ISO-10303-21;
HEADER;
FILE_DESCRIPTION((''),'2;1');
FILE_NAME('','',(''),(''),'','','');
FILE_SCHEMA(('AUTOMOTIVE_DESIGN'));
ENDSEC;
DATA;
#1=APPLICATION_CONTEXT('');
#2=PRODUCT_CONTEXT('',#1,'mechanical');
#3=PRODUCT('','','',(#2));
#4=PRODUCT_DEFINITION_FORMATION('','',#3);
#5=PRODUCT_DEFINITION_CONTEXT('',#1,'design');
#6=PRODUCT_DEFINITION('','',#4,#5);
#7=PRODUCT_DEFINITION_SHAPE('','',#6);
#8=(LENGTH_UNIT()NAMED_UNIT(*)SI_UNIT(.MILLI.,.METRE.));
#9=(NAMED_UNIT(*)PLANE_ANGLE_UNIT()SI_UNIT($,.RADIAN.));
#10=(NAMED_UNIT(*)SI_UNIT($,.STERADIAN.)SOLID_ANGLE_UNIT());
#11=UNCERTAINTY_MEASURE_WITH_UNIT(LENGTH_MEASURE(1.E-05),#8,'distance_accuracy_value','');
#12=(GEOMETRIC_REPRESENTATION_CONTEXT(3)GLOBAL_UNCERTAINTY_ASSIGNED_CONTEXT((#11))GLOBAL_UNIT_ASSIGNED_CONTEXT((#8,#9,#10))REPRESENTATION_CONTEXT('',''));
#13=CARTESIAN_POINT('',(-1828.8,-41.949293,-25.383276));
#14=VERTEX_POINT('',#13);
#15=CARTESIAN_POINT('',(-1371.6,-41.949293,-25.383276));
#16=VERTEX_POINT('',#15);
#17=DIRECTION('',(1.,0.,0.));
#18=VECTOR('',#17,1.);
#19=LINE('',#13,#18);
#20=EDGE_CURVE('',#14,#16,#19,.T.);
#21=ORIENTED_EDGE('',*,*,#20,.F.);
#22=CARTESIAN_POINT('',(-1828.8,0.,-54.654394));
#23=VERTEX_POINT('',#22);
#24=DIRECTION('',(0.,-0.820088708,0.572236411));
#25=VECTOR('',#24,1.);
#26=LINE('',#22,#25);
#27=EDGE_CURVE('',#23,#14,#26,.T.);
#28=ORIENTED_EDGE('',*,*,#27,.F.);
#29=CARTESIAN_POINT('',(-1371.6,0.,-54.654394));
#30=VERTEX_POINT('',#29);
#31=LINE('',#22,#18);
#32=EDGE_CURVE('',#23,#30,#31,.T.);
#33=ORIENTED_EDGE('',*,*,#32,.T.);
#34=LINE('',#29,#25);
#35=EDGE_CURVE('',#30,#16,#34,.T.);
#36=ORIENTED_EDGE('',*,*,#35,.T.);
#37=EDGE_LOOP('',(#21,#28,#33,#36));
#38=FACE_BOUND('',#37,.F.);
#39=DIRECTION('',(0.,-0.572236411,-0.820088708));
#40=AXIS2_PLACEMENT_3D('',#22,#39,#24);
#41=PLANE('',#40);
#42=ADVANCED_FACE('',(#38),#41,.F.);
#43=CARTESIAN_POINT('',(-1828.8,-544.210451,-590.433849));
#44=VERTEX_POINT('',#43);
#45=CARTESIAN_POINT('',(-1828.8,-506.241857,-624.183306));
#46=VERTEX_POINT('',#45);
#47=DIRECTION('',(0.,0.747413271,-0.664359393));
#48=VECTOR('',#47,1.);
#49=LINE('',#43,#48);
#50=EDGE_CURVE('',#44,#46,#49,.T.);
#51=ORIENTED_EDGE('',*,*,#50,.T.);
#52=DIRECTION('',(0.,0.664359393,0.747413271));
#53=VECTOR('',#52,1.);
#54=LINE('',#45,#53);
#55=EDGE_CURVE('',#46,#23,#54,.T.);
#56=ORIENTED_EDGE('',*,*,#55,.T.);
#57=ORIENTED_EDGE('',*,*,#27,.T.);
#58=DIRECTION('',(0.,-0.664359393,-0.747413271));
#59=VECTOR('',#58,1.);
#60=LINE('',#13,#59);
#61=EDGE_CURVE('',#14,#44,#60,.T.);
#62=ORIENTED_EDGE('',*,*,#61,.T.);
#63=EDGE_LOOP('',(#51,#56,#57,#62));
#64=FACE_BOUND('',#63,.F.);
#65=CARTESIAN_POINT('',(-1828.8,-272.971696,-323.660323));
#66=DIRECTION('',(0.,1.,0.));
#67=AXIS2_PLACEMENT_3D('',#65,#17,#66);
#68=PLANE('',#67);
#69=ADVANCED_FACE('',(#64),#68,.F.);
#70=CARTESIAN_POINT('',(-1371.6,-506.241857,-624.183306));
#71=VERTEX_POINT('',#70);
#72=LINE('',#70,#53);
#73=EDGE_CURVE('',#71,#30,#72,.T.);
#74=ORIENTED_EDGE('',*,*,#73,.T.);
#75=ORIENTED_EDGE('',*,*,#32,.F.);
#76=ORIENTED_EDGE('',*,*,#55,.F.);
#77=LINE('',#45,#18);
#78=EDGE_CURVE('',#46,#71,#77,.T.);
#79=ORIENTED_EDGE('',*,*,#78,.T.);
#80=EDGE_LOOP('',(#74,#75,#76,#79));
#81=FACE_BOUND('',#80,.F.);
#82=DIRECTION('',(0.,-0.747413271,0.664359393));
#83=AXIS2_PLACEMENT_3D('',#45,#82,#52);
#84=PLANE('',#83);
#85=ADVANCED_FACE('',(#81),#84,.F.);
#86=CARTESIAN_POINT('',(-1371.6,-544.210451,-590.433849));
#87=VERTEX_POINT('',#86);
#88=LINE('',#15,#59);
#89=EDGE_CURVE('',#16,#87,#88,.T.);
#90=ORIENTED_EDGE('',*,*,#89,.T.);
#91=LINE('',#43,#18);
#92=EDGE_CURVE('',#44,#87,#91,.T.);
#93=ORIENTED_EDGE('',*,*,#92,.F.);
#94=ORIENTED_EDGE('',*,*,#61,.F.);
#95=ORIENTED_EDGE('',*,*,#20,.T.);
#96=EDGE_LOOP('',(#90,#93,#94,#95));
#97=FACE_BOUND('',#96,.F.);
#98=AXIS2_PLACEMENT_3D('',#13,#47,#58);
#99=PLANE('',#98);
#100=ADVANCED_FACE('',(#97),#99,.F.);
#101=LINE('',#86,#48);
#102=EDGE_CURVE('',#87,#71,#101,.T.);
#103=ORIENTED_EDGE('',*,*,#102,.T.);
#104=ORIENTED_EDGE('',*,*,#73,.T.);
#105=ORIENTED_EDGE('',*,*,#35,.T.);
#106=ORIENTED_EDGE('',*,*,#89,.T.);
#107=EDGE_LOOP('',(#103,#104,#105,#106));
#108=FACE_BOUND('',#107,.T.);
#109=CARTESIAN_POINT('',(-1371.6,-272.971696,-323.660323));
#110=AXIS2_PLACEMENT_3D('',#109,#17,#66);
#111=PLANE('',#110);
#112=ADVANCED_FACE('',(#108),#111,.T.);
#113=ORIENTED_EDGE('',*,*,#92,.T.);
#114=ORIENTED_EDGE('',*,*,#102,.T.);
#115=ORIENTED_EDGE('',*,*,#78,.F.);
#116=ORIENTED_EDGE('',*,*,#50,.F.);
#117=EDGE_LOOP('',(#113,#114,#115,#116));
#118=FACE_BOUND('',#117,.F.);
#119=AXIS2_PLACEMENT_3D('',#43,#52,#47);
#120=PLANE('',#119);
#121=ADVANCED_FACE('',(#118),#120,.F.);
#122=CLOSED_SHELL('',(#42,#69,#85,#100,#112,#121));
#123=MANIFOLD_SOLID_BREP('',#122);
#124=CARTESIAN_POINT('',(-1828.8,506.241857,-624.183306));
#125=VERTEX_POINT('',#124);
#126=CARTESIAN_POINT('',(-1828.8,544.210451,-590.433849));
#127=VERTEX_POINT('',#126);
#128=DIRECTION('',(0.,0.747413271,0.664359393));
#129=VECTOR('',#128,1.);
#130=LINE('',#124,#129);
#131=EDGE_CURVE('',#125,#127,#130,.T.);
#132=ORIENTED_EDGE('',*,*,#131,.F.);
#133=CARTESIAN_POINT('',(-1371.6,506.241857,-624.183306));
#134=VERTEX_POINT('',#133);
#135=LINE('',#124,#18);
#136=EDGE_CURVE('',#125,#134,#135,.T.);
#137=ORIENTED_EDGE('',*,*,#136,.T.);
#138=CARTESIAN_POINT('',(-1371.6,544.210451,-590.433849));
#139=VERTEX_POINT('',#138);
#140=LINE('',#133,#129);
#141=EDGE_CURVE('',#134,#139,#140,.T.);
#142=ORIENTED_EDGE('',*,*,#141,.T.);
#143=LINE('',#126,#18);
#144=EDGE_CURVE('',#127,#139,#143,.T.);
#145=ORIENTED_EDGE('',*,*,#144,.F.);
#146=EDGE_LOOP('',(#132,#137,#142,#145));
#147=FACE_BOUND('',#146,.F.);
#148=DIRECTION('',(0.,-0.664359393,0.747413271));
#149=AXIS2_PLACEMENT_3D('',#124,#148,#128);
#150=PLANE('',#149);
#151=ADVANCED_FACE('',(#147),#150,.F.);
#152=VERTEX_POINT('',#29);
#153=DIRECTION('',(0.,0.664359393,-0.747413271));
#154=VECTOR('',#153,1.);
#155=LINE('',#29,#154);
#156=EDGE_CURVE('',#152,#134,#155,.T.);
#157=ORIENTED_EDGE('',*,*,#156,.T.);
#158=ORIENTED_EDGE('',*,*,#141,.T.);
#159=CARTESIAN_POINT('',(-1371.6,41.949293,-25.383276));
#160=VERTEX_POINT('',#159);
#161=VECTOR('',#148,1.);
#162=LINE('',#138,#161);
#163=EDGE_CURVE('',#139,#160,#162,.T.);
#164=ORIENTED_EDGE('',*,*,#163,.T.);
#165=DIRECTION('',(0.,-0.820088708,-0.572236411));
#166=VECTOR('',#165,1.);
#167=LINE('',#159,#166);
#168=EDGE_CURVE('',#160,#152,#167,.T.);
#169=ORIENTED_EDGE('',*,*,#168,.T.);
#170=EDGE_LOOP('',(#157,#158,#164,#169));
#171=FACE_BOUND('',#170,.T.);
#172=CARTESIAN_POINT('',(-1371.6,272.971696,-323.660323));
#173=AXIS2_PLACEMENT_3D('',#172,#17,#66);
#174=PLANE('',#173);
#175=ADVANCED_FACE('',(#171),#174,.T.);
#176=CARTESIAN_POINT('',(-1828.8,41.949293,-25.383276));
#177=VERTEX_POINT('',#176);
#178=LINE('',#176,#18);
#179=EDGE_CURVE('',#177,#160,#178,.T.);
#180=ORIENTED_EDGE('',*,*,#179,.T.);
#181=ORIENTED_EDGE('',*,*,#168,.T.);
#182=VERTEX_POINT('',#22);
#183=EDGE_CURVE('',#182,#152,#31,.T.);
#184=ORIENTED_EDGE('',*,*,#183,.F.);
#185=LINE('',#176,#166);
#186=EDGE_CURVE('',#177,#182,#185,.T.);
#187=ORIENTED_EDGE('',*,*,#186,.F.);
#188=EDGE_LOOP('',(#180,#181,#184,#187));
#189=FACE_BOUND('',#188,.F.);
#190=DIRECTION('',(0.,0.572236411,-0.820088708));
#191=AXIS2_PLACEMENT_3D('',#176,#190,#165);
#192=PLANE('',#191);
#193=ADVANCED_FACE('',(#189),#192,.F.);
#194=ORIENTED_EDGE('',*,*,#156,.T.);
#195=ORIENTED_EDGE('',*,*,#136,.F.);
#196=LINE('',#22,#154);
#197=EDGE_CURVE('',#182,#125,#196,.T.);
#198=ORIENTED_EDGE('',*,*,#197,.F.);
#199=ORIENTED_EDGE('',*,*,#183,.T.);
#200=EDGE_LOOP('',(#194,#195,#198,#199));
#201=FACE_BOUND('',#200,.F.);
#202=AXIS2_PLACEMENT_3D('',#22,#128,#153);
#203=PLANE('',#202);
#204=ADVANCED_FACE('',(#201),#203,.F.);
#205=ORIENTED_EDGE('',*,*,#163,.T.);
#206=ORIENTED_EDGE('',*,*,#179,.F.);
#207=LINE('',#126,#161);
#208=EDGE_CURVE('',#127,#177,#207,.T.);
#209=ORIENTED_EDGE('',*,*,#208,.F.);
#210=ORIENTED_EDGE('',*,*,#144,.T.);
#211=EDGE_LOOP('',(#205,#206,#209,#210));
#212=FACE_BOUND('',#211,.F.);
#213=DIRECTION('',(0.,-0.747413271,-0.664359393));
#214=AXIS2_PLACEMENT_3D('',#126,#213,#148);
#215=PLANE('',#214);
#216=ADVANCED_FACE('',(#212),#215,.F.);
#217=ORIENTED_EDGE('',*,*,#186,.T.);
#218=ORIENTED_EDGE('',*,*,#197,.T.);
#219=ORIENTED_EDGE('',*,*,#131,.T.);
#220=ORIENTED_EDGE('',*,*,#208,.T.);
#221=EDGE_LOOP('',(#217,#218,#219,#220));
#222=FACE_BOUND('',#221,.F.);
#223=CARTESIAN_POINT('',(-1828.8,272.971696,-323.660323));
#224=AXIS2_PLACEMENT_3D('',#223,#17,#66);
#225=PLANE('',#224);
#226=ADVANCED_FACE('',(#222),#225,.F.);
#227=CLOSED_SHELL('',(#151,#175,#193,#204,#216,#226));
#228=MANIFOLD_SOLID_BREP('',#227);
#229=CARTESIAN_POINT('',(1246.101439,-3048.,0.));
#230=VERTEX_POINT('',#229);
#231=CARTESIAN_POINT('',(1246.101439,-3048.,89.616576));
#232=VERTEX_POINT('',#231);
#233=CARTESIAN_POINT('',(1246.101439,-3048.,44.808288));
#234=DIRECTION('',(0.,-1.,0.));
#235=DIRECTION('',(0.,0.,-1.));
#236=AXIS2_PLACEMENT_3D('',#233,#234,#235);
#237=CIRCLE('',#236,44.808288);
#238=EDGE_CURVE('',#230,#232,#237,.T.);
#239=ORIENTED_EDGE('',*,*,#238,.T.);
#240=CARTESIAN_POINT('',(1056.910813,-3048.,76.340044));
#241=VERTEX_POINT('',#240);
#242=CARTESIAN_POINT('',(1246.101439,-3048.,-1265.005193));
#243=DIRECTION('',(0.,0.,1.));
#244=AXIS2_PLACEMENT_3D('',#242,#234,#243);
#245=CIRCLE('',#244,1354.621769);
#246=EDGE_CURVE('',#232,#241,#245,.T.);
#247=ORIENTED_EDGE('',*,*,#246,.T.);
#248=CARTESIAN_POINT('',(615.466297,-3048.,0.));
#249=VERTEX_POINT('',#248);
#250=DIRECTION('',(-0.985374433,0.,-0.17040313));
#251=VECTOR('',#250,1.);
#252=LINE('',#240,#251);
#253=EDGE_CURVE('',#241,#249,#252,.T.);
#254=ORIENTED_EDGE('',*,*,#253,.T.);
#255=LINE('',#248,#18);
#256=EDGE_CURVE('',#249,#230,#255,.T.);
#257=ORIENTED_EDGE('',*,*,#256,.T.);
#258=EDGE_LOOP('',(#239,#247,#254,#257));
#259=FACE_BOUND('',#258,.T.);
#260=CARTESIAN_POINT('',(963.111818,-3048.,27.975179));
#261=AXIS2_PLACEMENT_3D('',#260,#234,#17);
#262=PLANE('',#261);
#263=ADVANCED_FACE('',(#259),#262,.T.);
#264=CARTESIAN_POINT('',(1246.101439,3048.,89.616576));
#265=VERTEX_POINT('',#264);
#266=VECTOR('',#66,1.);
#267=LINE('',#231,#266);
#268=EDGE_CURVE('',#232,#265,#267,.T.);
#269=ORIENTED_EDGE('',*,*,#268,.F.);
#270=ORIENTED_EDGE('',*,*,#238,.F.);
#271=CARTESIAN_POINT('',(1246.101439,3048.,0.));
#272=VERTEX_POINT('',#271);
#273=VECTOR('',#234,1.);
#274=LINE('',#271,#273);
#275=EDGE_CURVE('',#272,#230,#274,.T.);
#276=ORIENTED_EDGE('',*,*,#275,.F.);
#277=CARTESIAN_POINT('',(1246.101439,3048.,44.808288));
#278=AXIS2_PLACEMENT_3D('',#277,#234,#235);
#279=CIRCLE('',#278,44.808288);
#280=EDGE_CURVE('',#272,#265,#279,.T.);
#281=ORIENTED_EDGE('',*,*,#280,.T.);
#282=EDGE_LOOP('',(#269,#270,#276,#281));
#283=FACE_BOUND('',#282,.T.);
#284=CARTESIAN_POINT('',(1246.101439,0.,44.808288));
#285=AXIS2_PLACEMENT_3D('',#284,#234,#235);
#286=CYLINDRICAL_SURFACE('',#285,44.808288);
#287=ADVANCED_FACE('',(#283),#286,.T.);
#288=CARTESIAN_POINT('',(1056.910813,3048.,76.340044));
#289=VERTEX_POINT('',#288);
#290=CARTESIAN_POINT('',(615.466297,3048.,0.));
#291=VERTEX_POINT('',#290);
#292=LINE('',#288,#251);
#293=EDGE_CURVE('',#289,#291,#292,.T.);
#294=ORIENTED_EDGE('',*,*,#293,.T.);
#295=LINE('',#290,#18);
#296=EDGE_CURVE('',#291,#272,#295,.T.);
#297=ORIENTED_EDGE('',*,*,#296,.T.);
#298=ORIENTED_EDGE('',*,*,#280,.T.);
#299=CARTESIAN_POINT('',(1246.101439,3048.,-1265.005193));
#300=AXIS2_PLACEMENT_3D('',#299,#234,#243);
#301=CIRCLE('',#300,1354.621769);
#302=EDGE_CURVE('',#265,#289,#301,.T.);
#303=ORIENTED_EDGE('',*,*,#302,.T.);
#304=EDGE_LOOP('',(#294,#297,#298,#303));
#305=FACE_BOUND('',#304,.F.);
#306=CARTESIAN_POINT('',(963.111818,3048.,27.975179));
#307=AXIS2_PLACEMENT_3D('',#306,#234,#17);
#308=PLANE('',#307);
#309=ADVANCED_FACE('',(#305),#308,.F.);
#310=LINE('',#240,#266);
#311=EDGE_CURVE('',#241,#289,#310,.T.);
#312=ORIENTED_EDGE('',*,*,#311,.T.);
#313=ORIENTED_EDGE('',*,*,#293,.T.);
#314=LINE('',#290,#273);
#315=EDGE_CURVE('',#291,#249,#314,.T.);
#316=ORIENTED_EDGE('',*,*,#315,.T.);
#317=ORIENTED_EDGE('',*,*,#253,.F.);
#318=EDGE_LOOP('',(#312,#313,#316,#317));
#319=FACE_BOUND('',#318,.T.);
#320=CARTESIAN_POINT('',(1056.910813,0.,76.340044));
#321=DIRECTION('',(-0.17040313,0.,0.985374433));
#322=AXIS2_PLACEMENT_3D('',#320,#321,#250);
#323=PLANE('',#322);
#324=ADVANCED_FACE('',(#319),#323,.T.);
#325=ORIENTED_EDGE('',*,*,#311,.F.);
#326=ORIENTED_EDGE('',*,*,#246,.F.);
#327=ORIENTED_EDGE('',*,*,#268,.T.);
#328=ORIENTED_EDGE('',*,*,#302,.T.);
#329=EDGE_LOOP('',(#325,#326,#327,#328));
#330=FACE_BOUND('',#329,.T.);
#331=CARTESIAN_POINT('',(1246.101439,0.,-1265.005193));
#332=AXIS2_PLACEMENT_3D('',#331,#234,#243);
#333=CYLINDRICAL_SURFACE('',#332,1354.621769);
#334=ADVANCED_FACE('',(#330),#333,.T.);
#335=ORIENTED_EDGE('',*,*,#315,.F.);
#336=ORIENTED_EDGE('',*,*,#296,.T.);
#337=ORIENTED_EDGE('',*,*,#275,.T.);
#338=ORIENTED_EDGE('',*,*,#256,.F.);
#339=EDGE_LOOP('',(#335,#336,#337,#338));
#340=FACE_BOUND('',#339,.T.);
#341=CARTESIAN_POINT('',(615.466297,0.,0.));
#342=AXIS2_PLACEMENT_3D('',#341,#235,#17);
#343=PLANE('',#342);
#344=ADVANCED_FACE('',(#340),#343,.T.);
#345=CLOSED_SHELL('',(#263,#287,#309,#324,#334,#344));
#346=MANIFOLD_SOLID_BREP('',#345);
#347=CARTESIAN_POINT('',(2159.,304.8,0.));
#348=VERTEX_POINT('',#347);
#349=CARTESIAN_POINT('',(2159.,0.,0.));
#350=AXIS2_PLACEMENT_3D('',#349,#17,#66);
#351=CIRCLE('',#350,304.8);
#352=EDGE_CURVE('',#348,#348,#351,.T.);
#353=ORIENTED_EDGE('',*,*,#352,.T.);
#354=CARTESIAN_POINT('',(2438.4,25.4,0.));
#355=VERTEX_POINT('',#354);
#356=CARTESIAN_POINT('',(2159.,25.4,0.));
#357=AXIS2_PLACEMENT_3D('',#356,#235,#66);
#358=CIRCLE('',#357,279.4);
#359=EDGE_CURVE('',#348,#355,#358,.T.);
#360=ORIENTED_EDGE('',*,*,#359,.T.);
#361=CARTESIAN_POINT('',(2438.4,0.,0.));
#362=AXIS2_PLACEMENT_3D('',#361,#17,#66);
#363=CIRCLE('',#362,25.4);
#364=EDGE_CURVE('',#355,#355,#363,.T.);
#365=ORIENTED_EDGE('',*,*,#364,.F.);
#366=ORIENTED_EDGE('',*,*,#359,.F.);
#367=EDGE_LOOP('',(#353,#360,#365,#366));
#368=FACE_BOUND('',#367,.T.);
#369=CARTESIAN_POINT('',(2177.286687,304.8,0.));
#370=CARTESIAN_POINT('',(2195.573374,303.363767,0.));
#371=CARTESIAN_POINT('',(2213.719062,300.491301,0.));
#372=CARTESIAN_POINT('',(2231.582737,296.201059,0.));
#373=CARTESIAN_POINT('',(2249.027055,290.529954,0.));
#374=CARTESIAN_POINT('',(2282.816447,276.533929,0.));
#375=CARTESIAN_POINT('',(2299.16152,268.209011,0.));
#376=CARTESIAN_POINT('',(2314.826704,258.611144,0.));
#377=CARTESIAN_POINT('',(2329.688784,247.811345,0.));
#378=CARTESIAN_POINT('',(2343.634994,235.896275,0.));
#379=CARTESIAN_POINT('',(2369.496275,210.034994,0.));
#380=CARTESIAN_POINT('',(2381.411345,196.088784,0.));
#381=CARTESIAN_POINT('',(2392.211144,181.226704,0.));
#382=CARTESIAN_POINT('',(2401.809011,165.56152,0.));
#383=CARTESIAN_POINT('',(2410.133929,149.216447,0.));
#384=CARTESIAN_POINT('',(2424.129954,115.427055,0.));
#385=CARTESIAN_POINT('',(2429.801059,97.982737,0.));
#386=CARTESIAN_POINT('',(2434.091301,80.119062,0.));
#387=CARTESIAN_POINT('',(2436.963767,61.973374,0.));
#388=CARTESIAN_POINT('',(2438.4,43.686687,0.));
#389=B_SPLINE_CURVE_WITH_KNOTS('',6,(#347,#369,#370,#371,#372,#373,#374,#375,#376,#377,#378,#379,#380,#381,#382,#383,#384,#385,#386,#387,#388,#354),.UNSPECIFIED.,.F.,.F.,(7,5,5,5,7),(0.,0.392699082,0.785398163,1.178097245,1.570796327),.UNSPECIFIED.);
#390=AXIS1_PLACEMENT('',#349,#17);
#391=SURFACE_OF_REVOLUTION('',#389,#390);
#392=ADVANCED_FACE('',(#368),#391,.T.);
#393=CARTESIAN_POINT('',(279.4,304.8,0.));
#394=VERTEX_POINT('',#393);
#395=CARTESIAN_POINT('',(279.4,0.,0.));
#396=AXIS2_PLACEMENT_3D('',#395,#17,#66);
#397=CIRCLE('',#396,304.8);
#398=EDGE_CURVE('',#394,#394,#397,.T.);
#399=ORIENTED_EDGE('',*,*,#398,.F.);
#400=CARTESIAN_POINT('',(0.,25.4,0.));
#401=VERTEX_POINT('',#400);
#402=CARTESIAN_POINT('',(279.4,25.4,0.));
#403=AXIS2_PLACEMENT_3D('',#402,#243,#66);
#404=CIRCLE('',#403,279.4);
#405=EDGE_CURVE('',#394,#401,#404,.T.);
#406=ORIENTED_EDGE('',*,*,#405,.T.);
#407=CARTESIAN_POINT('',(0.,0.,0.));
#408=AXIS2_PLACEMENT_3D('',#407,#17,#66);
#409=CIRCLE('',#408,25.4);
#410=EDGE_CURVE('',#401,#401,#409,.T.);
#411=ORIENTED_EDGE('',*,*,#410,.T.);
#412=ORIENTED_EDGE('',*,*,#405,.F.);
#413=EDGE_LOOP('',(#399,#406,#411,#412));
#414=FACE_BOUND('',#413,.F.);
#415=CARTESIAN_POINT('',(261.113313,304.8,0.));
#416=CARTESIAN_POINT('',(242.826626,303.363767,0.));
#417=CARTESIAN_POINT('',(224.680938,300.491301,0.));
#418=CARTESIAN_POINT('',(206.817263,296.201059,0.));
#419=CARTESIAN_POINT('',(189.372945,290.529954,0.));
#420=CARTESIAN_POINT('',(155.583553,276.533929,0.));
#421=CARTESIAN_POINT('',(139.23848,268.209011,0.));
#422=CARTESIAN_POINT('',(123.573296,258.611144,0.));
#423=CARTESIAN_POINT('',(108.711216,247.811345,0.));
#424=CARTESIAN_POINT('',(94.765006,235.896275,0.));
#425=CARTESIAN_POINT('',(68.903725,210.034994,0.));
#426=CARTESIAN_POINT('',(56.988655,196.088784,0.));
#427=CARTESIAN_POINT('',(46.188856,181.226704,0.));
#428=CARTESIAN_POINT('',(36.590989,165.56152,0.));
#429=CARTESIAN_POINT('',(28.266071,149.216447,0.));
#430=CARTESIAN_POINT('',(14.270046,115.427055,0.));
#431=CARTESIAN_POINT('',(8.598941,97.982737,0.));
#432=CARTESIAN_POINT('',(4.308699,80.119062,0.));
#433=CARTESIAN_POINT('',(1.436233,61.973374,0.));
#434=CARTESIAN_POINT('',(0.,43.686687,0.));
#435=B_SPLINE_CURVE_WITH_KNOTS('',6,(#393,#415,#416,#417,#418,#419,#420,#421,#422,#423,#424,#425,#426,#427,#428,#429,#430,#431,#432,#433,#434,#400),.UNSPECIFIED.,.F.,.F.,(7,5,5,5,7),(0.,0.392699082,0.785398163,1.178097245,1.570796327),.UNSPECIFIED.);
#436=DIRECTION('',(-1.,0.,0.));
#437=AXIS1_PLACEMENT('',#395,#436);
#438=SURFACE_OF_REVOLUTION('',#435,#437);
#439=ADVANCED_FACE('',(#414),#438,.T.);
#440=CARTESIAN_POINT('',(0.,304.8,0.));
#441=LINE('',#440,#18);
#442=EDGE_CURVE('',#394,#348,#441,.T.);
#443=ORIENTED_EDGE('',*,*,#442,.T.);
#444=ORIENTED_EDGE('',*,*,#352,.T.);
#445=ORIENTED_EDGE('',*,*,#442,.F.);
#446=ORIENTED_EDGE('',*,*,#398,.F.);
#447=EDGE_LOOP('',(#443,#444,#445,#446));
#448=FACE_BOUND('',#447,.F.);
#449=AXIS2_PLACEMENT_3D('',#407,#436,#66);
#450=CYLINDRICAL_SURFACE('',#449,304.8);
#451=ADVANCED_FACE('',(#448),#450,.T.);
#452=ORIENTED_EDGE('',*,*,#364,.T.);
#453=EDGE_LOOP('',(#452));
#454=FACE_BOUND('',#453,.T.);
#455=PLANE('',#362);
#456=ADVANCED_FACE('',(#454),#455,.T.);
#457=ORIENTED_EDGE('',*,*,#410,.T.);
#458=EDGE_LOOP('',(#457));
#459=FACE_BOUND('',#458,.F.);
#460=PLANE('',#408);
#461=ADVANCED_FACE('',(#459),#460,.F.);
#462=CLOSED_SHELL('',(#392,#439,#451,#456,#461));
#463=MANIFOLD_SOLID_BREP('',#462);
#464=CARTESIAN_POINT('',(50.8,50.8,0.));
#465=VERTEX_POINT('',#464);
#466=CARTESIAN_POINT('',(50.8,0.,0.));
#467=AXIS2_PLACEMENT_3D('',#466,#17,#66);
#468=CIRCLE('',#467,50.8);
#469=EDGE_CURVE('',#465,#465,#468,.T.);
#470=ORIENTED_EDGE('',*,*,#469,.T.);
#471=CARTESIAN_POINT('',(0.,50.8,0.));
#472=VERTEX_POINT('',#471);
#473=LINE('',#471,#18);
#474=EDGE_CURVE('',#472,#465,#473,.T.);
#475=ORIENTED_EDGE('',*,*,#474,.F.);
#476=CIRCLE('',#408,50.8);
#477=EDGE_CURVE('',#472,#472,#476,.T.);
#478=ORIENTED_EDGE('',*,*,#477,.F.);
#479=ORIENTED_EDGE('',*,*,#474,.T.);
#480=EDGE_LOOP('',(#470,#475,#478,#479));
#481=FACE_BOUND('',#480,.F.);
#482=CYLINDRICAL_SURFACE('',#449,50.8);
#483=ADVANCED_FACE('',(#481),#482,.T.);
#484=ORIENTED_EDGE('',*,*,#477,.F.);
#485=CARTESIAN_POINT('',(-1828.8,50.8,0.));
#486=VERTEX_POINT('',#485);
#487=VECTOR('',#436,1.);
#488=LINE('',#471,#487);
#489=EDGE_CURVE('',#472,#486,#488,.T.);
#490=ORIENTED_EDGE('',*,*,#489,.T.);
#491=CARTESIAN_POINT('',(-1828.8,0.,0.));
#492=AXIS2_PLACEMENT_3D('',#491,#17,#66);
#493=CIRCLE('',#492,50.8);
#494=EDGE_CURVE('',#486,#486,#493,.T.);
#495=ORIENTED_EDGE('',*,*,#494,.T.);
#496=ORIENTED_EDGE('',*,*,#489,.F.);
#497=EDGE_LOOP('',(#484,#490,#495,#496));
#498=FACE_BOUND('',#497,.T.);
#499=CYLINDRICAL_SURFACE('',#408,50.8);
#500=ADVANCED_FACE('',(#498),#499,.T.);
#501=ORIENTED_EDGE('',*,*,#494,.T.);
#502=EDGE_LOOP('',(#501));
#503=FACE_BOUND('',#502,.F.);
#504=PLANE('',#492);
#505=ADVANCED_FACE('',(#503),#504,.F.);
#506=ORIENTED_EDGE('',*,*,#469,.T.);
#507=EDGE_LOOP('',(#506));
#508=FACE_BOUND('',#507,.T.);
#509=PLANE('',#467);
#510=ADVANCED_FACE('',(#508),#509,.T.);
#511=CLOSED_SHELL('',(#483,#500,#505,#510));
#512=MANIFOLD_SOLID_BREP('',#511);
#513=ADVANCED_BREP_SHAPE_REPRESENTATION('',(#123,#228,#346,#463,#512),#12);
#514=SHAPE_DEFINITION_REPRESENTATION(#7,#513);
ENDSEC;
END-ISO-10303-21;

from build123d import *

# Parameters (mm, degrees)
F0_R          = 304.8
F1_DEPTH      = 2438.4
F2_R          = 279.4
F4_DEPTH      = 3048
F5_R          = 50.8
F6_DEPTH      = 1828.8
F6_DEPTH_BACK = 50.8
F9_DEPTH      = 457.2


with BuildPart() as f1:
    # F0 (on Right) → F1 (new body)
    with BuildSketch(Plane.YZ):
        Circle(F0_R)
    extrude(amount=F1_DEPTH)

    # F2
    f2_edges = [f1.edges().sort_by_distance(p)[0] for p in [
        (2438.4, -304.8, 0),
        (0, -304.8, 0),
    ]]
    fillet(f2_edges, radius=F2_R)


with BuildPart() as f4:
    # F3 (on Front) → F4 (new body, symmetric)
    with BuildSketch(Plane.XZ):
        with BuildLine():
            Line((1056.9108128548, 76.3400439173), (615.4662966728, 0))
            Line((615.4662966728, 0), (1246.1014389992, 0))
            ThreePointArc((1246.1014389992, 0), (1290.909727104, 44.8082881048), (1246.1014389992, 89.6165762097))
            ThreePointArc((1246.1014389992, 89.6165762097), (1151.2734904151, 86.2933668251), (1056.9108128548, 76.3400439173))
        make_face()
    extrude(amount=F4_DEPTH, both=True)


with BuildPart() as f6:
    # F5 (on Right) → F6 (new body, two sides)
    with BuildSketch(Plane.YZ) as f6_sk:
        Circle(F5_R)
    extrude(amount=-F6_DEPTH)
    extrude(f6_sk.sketch, amount=F6_DEPTH_BACK)


with BuildPart() as f9:
    # F8 (on offset) → F9 (new body)
    with BuildSketch(Plane.YZ.offset(-1828.8)):
        Polygon((41.949292923, -25.3832764938), (0, -54.6543938773), (506.2418571272, -624.1833063062), (544.2104512891, -590.4338491644), align=None)
    extrude(amount=F9_DEPTH)


with BuildPart() as f9b:
    # F8 (on offset) → F9, piece 2 (new body)
    with BuildSketch(Plane.YZ.offset(-1828.8)):
        Polygon((-506.2418571272, -624.1833063062), (0, -54.6543938773), (-41.949292923, -25.3832764938), (-544.2104512891, -590.4338491644), align=None)
    extrude(amount=F9_DEPTH)


solid = Compound([f1.part, f4.part, f6.part, f9.part, f9b.part])
